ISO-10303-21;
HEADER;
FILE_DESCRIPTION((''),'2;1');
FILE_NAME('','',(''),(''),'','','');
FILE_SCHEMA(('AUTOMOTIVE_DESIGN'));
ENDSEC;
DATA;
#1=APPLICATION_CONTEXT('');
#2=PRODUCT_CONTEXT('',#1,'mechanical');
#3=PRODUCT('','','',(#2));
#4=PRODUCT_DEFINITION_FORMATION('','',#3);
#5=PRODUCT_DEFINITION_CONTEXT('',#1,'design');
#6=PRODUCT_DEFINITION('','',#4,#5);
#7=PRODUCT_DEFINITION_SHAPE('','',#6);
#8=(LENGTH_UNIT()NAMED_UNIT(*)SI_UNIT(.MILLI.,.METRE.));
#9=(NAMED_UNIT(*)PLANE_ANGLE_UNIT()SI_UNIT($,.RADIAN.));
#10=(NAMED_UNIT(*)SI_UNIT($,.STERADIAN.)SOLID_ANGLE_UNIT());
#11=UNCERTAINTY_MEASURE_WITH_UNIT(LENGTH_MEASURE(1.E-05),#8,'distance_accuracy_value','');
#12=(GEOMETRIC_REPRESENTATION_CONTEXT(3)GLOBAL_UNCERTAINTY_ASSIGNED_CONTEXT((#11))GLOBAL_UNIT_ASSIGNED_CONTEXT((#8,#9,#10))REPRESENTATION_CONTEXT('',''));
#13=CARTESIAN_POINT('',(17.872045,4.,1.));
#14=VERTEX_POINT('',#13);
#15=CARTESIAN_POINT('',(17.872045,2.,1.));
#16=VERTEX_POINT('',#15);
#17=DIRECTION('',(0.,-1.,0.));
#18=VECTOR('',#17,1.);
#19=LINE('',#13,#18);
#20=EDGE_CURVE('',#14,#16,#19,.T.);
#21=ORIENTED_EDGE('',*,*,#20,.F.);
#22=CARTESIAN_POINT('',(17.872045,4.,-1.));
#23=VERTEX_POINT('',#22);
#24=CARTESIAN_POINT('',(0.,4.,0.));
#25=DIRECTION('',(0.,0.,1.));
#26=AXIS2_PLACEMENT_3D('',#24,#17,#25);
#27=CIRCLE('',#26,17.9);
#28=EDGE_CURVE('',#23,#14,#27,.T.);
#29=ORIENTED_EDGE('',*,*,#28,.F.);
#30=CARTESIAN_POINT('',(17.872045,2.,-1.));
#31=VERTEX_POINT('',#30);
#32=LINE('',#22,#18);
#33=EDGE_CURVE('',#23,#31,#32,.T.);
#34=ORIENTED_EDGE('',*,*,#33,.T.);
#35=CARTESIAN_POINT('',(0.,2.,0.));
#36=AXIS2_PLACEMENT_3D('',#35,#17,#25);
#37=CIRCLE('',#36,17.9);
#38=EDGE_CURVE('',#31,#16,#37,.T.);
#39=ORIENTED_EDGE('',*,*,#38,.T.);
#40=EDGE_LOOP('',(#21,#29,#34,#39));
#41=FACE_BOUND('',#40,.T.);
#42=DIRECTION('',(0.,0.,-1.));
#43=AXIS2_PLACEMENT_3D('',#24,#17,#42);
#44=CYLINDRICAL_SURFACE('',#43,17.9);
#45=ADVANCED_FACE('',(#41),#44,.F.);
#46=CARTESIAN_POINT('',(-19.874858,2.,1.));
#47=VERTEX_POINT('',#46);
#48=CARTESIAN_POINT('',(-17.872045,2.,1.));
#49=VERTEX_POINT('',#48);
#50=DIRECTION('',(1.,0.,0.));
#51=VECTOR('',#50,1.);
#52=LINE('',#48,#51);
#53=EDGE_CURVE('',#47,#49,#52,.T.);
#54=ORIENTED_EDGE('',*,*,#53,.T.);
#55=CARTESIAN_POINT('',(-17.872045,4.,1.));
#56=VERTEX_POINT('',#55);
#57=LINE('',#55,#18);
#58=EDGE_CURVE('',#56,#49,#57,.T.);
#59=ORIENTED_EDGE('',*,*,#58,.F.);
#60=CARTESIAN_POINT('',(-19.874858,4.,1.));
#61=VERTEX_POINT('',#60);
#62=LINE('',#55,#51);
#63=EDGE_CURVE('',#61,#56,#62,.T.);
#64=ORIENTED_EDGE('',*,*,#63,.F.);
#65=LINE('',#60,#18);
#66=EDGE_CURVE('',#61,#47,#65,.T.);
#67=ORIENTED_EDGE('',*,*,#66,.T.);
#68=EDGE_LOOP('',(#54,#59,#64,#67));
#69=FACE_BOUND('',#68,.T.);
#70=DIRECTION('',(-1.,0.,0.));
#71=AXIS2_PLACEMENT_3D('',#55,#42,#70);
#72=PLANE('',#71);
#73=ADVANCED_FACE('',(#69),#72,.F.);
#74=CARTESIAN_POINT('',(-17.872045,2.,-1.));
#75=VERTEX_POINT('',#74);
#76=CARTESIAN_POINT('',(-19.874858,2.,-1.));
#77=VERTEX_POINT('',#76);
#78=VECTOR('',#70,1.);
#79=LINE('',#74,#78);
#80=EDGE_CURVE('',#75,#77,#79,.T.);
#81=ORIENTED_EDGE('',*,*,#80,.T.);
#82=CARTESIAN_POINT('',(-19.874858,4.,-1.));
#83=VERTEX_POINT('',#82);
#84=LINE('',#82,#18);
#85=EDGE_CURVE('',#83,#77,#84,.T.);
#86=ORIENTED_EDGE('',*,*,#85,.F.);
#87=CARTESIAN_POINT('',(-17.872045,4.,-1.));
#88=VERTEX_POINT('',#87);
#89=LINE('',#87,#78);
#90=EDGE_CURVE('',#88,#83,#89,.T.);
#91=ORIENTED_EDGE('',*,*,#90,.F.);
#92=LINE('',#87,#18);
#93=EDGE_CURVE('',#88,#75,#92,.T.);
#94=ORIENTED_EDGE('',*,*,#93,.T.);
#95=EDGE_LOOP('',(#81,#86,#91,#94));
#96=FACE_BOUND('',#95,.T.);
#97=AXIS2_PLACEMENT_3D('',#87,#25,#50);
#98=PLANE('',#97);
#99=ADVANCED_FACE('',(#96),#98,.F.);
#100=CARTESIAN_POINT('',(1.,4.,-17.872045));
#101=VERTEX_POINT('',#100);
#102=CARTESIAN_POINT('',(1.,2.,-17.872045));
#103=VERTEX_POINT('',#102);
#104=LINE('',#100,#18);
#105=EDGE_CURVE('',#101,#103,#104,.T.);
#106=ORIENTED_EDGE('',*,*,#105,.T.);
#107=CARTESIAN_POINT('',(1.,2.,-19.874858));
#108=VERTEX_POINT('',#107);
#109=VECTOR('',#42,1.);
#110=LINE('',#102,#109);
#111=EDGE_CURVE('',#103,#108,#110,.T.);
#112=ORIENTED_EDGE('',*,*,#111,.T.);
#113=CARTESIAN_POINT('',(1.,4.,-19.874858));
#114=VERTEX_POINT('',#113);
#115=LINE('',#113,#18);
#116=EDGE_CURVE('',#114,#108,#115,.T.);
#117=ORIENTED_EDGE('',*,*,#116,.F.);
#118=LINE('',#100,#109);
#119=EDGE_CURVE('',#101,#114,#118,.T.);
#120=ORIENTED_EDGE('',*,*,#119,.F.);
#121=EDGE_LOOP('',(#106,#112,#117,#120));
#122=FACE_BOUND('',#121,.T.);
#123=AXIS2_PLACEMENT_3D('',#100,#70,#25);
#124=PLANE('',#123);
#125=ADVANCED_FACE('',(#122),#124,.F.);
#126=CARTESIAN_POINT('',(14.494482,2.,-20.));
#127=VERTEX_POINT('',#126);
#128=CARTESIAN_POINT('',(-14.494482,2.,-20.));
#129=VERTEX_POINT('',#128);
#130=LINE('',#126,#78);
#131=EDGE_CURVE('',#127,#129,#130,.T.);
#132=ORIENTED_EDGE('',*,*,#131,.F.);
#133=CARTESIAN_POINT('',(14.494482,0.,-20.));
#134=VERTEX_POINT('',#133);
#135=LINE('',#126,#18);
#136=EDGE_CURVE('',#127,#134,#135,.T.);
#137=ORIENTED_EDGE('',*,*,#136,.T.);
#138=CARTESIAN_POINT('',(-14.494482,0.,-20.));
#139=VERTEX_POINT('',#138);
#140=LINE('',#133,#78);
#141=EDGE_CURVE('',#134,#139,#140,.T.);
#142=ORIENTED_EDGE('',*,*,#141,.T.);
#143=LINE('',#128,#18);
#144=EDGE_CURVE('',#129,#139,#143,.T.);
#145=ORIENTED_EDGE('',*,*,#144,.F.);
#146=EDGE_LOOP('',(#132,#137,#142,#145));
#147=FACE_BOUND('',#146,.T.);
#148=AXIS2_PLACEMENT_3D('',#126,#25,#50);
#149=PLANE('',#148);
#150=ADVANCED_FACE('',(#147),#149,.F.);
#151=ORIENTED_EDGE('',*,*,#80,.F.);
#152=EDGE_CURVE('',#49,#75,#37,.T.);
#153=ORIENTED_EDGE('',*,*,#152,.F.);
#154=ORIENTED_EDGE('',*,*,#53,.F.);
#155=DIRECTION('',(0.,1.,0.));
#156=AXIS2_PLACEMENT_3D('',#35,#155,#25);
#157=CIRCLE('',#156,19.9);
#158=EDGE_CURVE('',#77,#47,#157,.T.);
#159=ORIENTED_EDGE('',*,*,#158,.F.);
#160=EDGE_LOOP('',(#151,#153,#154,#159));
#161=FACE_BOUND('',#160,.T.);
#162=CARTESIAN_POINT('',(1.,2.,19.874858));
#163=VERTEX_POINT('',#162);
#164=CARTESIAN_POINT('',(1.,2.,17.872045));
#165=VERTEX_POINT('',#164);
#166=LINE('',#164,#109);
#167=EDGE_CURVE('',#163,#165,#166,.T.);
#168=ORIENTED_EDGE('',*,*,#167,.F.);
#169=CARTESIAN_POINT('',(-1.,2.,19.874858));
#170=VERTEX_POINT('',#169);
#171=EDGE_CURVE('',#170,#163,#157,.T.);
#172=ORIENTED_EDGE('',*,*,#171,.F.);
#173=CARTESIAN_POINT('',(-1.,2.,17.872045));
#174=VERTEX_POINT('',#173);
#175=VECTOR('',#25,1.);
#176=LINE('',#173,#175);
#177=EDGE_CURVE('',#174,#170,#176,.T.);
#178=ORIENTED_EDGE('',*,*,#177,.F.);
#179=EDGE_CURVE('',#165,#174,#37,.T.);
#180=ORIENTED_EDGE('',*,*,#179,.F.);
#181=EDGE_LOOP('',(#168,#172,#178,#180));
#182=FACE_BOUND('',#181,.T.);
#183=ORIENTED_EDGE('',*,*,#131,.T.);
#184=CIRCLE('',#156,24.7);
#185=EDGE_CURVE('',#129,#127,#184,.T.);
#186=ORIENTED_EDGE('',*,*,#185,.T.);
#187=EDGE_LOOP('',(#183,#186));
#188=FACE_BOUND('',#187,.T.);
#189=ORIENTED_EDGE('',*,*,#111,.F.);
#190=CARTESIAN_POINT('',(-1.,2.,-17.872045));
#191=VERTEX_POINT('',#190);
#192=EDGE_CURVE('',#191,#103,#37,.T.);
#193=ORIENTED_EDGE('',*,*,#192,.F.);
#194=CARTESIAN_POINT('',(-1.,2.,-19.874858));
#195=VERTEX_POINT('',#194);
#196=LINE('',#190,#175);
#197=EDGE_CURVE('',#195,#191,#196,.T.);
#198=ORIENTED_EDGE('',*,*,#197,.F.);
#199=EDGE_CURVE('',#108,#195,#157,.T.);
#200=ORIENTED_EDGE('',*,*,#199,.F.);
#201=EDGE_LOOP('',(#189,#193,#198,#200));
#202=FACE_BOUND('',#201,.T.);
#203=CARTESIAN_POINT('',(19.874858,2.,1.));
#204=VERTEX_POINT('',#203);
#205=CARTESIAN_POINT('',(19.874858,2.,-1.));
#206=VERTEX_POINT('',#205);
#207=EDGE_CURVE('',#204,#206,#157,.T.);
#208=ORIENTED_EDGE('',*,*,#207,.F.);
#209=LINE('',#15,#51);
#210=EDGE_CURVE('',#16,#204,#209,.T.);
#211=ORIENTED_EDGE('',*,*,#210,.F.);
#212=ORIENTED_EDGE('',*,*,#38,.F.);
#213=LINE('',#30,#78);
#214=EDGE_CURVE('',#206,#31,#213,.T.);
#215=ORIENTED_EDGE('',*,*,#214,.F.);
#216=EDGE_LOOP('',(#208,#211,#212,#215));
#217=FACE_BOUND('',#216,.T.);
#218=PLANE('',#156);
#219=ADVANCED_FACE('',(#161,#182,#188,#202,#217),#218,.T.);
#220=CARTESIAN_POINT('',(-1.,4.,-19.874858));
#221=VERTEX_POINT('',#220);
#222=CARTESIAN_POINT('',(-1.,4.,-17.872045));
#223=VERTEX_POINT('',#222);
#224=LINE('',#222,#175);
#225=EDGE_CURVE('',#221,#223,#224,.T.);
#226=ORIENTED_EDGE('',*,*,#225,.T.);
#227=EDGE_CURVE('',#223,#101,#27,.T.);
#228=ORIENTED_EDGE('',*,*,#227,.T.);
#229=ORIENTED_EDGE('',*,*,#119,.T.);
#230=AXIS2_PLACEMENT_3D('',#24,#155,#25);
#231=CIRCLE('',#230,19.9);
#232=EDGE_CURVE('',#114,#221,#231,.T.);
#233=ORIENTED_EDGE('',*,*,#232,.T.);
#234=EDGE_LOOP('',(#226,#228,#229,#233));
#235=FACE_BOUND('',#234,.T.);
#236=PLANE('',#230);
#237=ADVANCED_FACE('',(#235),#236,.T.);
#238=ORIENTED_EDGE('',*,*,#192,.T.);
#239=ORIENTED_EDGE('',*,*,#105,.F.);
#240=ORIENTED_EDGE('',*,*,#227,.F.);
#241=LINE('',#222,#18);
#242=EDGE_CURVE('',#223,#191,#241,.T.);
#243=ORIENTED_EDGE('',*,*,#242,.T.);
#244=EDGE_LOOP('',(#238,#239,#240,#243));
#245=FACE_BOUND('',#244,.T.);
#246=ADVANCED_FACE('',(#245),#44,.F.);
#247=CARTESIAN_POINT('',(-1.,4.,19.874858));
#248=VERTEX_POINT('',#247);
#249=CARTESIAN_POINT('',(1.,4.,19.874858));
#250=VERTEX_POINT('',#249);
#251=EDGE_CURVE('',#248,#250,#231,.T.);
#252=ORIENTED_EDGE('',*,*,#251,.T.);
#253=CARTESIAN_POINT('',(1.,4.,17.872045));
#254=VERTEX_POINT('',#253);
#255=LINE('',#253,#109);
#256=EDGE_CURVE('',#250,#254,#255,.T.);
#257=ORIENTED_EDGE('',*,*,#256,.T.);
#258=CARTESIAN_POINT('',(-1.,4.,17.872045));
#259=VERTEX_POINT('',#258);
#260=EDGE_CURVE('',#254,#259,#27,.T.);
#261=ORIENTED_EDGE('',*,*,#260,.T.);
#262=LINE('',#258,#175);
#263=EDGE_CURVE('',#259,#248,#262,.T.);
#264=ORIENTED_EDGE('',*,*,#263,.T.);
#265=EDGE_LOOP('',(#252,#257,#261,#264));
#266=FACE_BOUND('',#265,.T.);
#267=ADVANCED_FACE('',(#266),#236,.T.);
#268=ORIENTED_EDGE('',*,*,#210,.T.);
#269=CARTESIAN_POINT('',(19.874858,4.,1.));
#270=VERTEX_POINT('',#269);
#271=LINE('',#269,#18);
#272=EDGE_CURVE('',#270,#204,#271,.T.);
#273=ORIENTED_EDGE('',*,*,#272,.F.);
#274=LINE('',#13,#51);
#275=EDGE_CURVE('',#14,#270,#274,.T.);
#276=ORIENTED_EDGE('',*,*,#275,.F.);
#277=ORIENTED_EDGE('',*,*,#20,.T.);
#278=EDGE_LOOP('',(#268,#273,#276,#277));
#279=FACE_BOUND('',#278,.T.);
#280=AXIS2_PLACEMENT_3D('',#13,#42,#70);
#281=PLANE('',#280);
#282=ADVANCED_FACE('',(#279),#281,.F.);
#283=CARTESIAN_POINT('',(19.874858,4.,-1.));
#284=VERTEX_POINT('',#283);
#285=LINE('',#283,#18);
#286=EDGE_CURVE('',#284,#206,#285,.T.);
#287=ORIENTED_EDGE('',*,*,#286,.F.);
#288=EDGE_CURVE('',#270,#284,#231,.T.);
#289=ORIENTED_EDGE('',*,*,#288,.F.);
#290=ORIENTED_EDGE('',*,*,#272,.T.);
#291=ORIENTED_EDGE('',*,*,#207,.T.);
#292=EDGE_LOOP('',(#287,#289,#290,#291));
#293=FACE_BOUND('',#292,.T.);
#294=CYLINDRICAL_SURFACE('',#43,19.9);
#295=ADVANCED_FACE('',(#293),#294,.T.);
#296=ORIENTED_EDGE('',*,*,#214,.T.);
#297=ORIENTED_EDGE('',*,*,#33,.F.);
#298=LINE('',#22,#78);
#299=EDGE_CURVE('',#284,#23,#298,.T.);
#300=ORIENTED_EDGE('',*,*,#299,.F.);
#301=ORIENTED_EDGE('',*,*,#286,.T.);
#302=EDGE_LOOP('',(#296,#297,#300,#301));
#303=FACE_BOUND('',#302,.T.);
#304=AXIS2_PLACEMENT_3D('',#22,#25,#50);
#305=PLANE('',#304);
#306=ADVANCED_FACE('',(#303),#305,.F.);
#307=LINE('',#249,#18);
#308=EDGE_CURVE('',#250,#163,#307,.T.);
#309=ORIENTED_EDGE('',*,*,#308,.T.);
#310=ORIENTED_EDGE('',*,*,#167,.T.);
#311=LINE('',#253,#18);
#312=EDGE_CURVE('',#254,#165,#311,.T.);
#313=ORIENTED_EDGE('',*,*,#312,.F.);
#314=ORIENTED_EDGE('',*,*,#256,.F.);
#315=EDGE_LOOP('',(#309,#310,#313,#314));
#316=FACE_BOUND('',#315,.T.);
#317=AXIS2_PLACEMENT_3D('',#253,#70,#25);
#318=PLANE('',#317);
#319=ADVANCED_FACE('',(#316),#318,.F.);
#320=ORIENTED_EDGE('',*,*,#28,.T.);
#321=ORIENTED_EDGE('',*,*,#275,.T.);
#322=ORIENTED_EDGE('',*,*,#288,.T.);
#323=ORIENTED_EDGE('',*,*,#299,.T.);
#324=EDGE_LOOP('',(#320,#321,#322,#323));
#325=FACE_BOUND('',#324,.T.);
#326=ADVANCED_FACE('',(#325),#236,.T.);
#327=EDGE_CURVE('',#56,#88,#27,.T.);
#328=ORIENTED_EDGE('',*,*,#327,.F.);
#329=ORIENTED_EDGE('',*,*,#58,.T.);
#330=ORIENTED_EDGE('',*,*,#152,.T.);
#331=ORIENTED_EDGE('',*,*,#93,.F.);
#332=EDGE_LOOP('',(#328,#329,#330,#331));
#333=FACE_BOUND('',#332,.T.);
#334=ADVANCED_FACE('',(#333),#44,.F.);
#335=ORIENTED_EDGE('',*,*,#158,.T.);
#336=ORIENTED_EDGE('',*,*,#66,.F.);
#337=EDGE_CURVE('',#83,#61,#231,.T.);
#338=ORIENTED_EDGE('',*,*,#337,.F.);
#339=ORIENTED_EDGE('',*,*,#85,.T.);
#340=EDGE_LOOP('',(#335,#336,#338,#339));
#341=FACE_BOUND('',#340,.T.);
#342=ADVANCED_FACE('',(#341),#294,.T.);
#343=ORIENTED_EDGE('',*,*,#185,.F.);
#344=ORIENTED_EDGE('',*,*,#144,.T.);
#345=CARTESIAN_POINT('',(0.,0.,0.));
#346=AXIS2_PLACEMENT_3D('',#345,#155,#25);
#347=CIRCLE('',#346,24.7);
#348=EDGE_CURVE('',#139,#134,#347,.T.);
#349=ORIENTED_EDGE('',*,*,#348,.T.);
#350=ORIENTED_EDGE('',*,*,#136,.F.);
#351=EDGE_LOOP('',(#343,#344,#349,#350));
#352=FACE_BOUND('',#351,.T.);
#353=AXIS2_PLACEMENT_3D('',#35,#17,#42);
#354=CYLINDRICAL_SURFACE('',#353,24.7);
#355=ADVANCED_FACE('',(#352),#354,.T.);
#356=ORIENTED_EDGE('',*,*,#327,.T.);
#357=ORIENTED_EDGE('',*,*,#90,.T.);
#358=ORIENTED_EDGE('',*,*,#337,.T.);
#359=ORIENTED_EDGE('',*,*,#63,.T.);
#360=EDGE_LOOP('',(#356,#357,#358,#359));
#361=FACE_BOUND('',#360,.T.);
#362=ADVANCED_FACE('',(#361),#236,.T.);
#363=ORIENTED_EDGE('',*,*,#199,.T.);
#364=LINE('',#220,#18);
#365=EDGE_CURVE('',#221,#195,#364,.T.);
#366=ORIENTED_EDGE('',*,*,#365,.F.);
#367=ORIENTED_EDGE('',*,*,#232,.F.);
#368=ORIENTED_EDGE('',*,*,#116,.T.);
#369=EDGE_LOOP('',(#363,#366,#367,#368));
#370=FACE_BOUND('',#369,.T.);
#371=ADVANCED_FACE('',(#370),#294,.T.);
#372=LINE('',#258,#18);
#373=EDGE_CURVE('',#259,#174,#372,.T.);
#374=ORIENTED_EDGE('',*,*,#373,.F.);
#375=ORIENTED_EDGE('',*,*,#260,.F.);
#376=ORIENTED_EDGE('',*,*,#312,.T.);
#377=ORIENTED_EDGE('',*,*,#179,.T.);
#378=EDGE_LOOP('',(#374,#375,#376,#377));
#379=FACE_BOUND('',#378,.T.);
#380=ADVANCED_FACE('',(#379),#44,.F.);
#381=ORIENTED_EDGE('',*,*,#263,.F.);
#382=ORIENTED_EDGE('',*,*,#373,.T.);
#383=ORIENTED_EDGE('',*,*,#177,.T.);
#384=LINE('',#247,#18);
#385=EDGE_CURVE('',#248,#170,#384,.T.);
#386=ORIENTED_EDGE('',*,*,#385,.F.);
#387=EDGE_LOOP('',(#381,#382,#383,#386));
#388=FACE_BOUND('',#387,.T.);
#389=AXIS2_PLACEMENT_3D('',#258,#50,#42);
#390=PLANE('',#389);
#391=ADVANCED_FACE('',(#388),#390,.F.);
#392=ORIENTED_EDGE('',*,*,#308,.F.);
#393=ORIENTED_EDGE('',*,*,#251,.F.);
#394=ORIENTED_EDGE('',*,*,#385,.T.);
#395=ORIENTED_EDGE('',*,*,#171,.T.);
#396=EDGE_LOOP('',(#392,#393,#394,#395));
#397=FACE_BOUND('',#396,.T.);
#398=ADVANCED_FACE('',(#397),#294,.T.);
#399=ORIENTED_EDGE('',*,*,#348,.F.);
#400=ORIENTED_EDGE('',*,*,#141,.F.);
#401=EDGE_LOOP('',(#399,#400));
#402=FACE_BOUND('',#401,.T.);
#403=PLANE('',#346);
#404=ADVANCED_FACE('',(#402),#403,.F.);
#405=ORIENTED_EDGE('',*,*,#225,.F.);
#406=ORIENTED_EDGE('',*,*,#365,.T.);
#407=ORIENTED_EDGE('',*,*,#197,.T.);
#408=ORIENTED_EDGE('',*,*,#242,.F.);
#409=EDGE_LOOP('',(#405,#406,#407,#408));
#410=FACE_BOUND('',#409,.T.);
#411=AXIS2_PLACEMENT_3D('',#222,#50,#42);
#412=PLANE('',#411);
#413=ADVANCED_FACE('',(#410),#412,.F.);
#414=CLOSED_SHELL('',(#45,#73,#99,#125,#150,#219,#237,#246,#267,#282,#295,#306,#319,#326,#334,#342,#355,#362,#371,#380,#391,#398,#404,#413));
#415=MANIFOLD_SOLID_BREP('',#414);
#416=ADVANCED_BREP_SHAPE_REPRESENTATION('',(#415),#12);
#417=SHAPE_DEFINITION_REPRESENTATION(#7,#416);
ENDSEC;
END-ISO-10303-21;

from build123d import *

# Parameters (mm, degrees)
BOSS_EXTRUDE1_DEPTH = 2
BOSS_EXTRUDE2_DEPTH = 2


with BuildPart() as part:
    # Sketch1 → Boss-Extrude1 (new body)
    with BuildSketch(Plane(origin=(0, 0, 0), x_dir=(1, 0, 0), z_dir=(0, 1, 0))):
        with BuildLine():
            Line((14.494481709, 20), (-14.494481709, 20))
            ThreePointArc((-14.494481709, 20), (0, -24.7), (14.494481709, 20))
        make_face()
    extrude(amount=BOSS_EXTRUDE1_DEPTH)

    # Sketch2 → Boss-Extrude2 (add)
    with BuildSketch(Plane(origin=(0, 2, 0), x_dir=(1, 0, 0), z_dir=(0, 1, 0))):
        with BuildLine():
            Line((1, 17.87204521), (1, 19.87485849))
            ThreePointArc((1, 19.87485849), (0, 19.9), (-1, 19.87485849))
            Line((-1, 19.87485849), (-1, 17.87204521))
            ThreePointArc((-1, 17.87204521), (0, 17.9), (1, 17.87204521))
        make_face()
        with BuildLine():
            Line((17.87204521, -1), (19.87485849, -1))
            ThreePointArc((19.87485849, -1), (19.9, 0), (19.87485849, 1))
            Line((19.87485849, 1), (17.87204521, 1))
            ThreePointArc((17.87204521, 1), (17.9, 0), (17.87204521, -1))
        make_face()
        with BuildLine():
            Line((-17.87204521, -1), (-19.87485849, -1))
            ThreePointArc((-19.87485849, -1), (-19.9, 0), (-19.87485849, 1))
            Line((-19.87485849, 1), (-17.87204521, 1))
            ThreePointArc((-17.87204521, 1), (-17.9, 0), (-17.87204521, -1))
        make_face()
        with BuildLine():
            Line((-1, -17.87204521), (-1, -19.87485849))
            ThreePointArc((-1, -19.87485849), (0, -19.9), (1, -19.87485849))
            Line((1, -19.87485849), (1, -17.87204521))
            ThreePointArc((1, -17.87204521), (0, -17.9), (-1, -17.87204521))
        make_face()
    extrude(amount=BOSS_EXTRUDE2_DEPTH)


solid = part.part
